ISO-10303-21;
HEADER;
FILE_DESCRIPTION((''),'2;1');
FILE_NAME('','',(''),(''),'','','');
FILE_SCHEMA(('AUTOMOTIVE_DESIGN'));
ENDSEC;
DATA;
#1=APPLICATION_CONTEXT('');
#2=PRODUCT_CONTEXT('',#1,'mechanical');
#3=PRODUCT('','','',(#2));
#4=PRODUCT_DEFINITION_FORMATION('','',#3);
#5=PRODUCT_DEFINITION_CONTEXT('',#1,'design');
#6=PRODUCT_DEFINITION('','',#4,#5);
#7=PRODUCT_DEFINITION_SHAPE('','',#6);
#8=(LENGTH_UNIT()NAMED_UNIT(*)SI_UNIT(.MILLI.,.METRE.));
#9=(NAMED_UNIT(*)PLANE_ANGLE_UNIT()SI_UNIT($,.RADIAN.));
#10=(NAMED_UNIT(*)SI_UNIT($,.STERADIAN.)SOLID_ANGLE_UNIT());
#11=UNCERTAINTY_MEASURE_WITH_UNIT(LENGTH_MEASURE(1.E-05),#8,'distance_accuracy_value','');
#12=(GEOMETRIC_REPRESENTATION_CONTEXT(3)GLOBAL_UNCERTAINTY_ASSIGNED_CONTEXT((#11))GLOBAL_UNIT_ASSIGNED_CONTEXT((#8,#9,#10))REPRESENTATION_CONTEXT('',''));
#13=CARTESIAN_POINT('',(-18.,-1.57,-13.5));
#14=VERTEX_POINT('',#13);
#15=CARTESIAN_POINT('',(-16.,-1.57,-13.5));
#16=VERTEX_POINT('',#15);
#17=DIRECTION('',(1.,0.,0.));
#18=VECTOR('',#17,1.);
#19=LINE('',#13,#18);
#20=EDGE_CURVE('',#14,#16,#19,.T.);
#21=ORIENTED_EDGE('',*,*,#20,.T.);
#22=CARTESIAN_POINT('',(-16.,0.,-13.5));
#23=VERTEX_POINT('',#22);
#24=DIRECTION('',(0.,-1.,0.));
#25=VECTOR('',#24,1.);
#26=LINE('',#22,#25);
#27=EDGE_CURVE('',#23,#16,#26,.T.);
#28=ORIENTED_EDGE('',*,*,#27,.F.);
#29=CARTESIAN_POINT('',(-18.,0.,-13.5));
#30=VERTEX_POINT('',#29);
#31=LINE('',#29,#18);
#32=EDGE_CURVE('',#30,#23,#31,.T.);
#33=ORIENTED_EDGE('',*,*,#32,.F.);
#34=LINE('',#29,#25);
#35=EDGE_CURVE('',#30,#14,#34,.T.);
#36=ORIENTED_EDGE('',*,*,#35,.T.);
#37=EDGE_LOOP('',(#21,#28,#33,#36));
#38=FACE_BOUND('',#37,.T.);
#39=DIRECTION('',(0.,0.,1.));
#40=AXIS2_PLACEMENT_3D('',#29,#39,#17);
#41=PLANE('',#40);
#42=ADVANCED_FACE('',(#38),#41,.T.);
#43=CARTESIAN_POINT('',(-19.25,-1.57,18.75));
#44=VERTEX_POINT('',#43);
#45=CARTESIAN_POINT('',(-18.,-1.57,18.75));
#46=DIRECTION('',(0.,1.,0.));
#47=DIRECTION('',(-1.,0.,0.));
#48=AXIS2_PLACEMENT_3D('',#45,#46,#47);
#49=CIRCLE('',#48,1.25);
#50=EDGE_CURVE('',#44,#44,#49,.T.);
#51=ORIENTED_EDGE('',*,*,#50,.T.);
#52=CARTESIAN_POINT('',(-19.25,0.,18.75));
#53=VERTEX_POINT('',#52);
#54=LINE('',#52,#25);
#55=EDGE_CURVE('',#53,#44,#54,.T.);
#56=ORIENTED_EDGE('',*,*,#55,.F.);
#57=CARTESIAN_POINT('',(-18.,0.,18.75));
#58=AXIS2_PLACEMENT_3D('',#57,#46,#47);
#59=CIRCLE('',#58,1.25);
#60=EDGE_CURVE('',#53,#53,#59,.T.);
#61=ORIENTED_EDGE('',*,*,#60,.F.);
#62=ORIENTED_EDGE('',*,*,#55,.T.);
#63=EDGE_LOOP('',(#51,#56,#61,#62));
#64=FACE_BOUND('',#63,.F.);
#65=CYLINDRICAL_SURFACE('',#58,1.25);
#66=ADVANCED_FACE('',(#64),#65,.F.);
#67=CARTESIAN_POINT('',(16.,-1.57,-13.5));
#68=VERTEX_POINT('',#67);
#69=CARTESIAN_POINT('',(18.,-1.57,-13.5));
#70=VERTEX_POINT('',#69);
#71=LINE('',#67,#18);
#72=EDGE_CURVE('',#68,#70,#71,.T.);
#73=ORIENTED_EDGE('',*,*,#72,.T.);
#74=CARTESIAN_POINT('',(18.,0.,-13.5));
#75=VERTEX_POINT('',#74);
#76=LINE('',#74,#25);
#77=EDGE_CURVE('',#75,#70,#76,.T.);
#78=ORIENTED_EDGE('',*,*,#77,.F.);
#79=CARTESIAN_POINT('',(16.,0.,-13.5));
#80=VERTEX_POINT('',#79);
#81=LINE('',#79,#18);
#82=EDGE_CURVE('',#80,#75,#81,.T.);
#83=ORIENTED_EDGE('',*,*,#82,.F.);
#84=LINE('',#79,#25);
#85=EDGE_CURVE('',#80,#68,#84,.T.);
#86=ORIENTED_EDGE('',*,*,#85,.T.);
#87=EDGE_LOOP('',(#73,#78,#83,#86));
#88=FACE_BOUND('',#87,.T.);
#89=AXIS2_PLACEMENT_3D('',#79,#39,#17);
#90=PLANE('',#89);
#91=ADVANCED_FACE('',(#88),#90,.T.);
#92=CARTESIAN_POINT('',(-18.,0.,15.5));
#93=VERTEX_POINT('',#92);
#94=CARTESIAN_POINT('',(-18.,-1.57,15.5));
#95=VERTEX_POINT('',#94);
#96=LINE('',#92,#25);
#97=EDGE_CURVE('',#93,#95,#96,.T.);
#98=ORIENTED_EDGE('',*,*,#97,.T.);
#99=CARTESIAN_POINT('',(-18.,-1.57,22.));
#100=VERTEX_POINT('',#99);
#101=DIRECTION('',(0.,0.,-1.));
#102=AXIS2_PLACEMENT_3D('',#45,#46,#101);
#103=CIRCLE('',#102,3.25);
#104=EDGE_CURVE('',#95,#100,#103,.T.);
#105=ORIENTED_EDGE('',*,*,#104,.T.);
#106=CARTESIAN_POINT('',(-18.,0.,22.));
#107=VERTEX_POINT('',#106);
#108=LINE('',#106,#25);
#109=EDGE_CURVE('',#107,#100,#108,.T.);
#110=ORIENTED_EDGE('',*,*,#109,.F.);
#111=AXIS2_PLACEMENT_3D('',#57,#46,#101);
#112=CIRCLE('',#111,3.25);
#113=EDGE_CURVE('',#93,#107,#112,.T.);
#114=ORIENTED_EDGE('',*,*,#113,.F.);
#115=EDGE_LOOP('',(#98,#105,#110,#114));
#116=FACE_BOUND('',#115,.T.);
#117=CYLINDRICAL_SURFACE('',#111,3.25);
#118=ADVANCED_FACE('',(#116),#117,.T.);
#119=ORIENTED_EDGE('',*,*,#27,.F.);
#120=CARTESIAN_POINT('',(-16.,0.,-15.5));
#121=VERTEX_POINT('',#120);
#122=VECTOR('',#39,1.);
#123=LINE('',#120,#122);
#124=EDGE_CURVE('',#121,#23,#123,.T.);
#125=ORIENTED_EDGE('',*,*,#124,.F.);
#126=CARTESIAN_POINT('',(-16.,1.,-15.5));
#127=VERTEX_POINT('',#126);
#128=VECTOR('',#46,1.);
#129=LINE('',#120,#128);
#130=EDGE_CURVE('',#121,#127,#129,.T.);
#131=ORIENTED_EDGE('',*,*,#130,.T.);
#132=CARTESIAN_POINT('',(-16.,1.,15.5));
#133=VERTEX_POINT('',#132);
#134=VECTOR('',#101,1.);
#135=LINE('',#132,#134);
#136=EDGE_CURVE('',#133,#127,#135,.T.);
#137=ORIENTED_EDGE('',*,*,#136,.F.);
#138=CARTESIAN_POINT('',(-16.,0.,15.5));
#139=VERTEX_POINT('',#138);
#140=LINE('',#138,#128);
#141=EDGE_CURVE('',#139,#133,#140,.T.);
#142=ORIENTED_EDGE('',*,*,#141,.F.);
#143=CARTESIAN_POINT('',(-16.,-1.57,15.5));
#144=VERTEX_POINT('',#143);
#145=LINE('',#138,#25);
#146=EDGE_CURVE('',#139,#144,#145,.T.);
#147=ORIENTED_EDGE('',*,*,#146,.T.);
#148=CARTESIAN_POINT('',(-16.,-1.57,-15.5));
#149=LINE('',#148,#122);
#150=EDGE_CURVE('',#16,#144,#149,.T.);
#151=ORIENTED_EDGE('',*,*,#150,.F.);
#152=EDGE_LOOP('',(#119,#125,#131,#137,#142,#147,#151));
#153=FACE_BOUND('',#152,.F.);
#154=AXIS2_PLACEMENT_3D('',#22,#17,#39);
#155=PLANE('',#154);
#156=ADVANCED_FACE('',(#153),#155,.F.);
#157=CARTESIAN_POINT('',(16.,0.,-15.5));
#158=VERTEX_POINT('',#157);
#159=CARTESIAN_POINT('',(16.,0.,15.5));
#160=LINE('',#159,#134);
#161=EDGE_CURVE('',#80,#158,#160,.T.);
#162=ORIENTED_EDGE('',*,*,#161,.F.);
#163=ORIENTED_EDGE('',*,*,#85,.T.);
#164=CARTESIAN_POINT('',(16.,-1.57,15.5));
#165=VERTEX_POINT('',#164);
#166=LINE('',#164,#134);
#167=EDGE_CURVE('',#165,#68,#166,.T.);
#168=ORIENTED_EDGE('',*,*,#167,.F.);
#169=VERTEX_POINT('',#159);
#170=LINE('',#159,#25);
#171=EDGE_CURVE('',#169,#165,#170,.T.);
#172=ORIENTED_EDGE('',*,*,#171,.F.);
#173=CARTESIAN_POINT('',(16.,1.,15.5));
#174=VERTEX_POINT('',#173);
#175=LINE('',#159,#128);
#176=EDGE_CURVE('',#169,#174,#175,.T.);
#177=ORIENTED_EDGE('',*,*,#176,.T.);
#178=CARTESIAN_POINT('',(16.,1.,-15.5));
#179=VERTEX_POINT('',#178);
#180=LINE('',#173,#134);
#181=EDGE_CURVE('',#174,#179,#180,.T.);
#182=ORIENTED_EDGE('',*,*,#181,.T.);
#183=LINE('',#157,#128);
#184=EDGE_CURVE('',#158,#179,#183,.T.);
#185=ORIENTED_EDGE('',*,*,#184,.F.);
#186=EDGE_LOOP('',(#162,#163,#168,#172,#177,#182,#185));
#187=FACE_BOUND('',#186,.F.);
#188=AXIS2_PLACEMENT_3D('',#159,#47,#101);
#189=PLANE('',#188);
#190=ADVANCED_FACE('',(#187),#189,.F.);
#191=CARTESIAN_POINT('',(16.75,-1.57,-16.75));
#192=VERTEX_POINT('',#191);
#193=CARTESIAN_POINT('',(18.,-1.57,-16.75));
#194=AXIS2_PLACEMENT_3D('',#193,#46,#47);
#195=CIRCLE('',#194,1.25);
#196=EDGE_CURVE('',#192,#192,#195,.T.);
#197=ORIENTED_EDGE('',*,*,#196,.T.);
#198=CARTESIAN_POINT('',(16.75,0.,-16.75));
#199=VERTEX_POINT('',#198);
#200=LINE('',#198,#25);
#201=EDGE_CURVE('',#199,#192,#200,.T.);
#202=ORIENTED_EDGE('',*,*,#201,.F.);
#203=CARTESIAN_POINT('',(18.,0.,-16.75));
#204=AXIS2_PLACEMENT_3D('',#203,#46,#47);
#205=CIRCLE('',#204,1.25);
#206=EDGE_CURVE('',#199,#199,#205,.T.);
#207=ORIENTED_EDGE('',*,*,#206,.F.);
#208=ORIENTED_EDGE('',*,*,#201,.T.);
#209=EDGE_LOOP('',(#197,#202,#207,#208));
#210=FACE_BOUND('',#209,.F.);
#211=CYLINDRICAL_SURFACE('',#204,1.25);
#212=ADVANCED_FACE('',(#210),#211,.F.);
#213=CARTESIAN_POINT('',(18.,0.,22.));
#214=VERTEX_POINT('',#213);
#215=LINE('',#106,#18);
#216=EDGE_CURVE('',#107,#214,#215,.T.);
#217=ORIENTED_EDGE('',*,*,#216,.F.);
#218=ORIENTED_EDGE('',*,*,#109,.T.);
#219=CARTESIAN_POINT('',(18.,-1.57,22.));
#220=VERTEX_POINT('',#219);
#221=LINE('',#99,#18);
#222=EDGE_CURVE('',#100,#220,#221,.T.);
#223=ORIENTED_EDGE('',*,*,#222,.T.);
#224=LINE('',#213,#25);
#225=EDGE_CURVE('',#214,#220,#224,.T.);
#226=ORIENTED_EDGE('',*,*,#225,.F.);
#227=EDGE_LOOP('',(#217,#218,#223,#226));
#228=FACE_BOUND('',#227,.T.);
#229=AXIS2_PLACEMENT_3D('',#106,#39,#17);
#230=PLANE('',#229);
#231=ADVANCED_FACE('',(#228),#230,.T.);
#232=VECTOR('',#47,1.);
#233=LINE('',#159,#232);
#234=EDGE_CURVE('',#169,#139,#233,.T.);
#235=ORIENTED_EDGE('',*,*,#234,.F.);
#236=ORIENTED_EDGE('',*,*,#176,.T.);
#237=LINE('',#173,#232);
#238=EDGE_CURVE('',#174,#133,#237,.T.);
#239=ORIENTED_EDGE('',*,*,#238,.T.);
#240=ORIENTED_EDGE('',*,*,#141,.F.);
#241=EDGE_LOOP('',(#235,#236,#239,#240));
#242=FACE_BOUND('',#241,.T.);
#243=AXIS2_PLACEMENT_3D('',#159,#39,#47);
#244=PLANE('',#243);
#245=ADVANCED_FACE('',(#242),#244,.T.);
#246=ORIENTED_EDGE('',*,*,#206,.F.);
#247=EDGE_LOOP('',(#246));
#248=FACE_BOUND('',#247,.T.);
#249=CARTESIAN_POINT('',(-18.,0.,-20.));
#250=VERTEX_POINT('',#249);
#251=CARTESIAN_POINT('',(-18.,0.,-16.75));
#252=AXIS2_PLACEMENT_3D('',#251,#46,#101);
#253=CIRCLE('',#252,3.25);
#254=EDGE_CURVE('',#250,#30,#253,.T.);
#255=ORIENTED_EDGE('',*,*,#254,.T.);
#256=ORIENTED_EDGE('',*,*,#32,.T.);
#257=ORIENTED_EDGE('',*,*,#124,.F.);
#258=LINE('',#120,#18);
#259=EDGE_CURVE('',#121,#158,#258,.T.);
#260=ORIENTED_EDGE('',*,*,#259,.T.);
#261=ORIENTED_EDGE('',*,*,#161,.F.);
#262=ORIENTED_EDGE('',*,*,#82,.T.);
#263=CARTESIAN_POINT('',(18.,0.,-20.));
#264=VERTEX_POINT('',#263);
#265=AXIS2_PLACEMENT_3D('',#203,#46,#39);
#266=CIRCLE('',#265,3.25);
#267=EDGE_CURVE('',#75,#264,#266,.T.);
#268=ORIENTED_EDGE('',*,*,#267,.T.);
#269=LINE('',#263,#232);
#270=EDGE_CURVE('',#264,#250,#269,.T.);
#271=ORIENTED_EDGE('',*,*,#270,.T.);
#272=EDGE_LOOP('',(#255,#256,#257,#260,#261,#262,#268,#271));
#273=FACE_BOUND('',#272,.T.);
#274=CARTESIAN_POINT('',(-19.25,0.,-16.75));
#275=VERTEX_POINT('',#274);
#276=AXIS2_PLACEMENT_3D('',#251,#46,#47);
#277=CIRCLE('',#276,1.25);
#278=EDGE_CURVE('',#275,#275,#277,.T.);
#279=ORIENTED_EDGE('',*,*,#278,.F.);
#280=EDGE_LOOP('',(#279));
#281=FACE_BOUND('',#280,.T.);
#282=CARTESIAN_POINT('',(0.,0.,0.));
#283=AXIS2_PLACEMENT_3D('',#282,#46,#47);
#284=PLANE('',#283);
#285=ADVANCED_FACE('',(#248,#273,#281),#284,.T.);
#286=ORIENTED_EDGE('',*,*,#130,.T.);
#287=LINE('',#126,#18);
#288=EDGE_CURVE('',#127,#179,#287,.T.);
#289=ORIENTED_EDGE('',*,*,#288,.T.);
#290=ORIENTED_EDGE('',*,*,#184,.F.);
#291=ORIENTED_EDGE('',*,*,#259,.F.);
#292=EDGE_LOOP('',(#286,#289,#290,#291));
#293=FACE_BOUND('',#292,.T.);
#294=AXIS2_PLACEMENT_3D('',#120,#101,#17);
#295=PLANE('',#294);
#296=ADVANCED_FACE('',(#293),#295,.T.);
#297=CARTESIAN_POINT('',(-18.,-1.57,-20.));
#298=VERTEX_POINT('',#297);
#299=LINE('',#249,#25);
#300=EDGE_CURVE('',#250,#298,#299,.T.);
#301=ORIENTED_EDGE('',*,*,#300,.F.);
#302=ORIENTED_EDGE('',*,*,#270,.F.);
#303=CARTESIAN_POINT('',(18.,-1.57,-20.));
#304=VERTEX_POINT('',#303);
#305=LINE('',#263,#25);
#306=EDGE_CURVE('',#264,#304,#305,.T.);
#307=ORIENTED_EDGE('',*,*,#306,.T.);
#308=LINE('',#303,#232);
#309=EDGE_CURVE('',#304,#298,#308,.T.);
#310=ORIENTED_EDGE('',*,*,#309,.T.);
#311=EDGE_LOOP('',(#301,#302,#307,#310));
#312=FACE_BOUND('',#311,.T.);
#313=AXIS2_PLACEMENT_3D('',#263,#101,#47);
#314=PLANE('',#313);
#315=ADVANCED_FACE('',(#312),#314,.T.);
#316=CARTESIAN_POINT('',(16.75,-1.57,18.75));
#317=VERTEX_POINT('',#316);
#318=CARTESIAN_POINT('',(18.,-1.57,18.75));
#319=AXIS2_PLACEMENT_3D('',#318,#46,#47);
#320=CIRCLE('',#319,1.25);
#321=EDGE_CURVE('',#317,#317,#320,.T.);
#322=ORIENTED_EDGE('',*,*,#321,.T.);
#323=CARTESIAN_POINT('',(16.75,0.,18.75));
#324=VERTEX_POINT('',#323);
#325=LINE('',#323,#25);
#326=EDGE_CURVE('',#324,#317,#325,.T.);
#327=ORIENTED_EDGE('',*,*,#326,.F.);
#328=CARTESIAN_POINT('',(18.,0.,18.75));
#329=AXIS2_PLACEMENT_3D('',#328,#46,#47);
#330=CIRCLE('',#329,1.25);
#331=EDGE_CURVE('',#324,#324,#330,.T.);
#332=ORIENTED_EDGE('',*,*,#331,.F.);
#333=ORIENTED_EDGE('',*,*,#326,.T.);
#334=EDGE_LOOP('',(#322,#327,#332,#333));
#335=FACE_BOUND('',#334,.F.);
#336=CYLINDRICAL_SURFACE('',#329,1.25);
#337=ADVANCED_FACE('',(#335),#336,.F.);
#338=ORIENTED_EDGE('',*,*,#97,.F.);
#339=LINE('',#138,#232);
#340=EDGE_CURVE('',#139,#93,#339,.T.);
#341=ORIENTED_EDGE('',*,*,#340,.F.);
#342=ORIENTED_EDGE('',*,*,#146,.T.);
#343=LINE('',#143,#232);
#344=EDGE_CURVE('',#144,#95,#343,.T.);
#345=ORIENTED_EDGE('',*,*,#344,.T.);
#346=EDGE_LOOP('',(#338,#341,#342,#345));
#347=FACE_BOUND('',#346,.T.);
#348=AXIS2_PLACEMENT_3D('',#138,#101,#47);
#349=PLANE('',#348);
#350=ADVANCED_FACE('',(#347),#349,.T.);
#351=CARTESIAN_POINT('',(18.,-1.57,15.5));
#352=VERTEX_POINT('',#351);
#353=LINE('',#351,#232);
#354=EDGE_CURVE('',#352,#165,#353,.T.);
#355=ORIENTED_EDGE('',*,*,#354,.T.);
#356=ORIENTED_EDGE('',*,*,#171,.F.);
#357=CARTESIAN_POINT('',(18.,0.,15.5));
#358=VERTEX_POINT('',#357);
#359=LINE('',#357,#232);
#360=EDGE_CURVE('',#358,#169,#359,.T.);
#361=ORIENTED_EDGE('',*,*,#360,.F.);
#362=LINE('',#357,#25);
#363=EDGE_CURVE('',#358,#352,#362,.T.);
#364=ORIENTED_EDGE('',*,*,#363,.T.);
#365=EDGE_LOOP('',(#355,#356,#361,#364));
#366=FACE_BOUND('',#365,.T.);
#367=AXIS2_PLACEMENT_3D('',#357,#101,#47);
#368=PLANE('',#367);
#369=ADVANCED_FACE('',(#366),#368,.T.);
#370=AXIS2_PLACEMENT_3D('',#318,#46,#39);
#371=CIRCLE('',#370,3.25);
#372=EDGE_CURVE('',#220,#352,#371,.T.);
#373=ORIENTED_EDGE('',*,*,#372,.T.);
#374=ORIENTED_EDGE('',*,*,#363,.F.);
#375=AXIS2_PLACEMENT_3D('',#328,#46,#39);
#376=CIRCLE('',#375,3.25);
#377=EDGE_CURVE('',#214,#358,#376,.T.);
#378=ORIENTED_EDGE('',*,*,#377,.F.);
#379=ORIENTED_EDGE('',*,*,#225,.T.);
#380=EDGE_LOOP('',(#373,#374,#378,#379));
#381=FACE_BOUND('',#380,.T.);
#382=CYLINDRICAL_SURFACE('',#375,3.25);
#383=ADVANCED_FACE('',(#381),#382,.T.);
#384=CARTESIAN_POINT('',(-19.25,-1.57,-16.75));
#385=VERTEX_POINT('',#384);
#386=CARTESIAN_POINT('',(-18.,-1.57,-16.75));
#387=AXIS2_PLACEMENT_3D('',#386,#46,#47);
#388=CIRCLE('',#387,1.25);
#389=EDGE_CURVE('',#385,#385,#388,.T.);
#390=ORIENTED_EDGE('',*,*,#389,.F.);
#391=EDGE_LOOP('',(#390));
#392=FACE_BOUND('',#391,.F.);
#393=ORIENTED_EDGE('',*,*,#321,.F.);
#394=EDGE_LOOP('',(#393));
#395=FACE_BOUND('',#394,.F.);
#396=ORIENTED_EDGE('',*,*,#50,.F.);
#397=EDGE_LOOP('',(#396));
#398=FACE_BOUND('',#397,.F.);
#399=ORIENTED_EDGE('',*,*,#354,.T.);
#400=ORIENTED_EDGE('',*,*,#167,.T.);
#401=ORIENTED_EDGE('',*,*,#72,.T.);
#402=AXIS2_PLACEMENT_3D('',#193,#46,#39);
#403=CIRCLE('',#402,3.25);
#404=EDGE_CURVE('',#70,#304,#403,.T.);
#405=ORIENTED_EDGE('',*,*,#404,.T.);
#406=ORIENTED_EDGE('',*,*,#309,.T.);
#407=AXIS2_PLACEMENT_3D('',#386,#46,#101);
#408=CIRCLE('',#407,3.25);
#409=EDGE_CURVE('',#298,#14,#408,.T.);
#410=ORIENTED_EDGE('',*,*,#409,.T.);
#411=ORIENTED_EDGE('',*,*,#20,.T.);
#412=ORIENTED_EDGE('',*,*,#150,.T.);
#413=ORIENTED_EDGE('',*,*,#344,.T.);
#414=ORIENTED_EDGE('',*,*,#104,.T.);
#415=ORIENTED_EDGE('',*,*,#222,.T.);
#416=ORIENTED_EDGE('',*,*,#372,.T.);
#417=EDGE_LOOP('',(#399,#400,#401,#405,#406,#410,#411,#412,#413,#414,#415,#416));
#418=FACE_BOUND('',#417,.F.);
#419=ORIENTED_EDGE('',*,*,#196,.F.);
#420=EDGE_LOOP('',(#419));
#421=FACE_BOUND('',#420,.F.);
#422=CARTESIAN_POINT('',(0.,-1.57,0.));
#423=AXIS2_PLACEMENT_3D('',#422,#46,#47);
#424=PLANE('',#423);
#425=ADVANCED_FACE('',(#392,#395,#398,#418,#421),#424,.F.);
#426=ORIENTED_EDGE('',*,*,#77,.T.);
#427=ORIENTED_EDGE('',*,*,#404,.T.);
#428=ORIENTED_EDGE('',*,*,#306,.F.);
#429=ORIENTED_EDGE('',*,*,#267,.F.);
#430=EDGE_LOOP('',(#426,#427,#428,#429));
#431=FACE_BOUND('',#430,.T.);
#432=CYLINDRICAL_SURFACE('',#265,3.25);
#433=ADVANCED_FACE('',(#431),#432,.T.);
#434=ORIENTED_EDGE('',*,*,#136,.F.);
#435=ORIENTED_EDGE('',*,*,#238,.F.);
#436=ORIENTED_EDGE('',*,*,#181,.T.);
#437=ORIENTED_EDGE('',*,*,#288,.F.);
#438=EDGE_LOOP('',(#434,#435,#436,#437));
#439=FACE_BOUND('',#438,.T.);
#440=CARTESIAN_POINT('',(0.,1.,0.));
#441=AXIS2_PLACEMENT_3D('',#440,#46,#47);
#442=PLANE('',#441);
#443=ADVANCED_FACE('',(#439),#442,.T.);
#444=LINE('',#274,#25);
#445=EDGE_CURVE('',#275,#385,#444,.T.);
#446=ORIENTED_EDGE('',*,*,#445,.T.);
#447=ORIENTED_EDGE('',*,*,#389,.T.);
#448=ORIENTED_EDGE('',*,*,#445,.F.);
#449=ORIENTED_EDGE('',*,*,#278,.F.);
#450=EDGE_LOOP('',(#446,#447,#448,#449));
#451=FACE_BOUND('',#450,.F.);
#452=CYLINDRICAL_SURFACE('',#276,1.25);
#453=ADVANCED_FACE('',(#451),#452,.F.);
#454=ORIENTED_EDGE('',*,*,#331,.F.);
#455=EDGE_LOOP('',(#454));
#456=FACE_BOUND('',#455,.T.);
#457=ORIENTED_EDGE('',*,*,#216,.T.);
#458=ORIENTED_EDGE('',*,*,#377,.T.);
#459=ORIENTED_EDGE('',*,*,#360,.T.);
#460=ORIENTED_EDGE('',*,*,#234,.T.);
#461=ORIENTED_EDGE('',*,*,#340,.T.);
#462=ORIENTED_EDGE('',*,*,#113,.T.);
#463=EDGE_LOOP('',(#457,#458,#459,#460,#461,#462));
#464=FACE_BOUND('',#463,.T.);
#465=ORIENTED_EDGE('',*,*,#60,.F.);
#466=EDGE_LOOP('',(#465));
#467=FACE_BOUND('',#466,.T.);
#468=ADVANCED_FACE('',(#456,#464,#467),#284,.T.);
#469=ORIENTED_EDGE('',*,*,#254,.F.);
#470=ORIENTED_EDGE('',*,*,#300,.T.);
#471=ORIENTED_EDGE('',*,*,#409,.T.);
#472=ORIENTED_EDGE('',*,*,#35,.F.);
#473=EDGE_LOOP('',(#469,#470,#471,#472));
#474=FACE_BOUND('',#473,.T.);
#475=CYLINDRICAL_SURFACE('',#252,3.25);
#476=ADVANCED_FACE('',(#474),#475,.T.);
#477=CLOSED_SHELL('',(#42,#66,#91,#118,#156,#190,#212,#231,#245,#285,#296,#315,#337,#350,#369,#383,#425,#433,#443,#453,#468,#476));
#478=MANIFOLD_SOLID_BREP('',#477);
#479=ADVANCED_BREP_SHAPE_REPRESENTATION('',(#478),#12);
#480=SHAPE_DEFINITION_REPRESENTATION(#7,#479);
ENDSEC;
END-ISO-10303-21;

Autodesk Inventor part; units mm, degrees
ref_plane "YZ Plane" through (0, 0, 0) normal (1, 0, 0) x (0, 1, 0)
sketch "Sketch1" plane through (0, 0, 0) normal (0, 1, 0) x (-1, 0, 0)
  line L0 (18, 22) -> (-18, 22)
  line L1 (-18, 15.5) -> (-16, 15.5)
  line L2 (-16, 15.5) -> (-16, -15.5)
  line L3 (-16, -13.5) -> (-18, -13.5)
  line L4 (-18, -20) -> (18, -20)
  line L5 (18, -13.5) -> (16, -13.5)
  line L6 (16, -15.5) -> (16, 15.5)
  line L7 (16, 15.5) -> (18, 15.5)
  arc A0 (-18, 22) -> (-18, 15.5) centre (-18, 18.75) ccw
  arc A1 (18, 15.5) -> (18, 22) centre (18, 18.75) ccw
  arc A2 (18, -20) -> (18, -13.5) centre (18, -16.75) ccw
  arc A3 (-18, -13.5) -> (-18, -20) centre (-18, -16.75) ccw
  line L8 (16, -15.5) -> (-16, -15.5)
  line L9 (-16, 15.5) -> (16, 15.5)
  circle A4 centre (18, -16.75) radius 1.25
  circle A5 centre (-18, -16.75) radius 1.25
  circle A6 centre (-18, 18.75) radius 1.25
  circle A7 centre (18, 18.75) radius 1.25
  point P0 (0, 0)
  point P1 (-3.7522, -13.5)
  point P2 (0, 22)
  point P3 (0, -20)
  point P4 (16, 0)
  point P5 (-16, 0)
  point P6 (0, -15.5)
  point P7 (0, 15.5)
  point P8 (0, 22)
  point P9 (-16, 0)
  dimension "d0" = 32
  dimension "d1" = 42
  dimension "d2" = 31
  dimension "d4" = 2.5
  dimension "d6" = 2
  dimension "d7" = 2
extrude "Extrusion1" add sketch "Sketch1" against normal blind 1.57
extrude "Extrusion2" add sketch "Sketch1" along normal blind 1 contours L6 L8 L2 L9
ref_plane "Work Plane1" through (18, 0, 1) normal (0, 0, -1) x (-1, 0, 0)
ref_plane "Work Plane4" through (0, 0, 18.75) normal (-1, 0, 0) x (0, 0, 1)
ref_plane "Work Plane2" through (21.25, 0, 18.75) normal (1, 0, 0) x (0, 0, -1)
ref_plane "Work Plane3" through (-21.25, 0, 18.75) normal (-1, 0, 0) x (0, 0, 1)
ref_plane "Plano de trabajo5" through (-21.25, -1.57, 18.75) normal (-1, 0, 0) x (0, 0, 1)
properties part number "Pantalla" material "Steel, Mild, Welded"
